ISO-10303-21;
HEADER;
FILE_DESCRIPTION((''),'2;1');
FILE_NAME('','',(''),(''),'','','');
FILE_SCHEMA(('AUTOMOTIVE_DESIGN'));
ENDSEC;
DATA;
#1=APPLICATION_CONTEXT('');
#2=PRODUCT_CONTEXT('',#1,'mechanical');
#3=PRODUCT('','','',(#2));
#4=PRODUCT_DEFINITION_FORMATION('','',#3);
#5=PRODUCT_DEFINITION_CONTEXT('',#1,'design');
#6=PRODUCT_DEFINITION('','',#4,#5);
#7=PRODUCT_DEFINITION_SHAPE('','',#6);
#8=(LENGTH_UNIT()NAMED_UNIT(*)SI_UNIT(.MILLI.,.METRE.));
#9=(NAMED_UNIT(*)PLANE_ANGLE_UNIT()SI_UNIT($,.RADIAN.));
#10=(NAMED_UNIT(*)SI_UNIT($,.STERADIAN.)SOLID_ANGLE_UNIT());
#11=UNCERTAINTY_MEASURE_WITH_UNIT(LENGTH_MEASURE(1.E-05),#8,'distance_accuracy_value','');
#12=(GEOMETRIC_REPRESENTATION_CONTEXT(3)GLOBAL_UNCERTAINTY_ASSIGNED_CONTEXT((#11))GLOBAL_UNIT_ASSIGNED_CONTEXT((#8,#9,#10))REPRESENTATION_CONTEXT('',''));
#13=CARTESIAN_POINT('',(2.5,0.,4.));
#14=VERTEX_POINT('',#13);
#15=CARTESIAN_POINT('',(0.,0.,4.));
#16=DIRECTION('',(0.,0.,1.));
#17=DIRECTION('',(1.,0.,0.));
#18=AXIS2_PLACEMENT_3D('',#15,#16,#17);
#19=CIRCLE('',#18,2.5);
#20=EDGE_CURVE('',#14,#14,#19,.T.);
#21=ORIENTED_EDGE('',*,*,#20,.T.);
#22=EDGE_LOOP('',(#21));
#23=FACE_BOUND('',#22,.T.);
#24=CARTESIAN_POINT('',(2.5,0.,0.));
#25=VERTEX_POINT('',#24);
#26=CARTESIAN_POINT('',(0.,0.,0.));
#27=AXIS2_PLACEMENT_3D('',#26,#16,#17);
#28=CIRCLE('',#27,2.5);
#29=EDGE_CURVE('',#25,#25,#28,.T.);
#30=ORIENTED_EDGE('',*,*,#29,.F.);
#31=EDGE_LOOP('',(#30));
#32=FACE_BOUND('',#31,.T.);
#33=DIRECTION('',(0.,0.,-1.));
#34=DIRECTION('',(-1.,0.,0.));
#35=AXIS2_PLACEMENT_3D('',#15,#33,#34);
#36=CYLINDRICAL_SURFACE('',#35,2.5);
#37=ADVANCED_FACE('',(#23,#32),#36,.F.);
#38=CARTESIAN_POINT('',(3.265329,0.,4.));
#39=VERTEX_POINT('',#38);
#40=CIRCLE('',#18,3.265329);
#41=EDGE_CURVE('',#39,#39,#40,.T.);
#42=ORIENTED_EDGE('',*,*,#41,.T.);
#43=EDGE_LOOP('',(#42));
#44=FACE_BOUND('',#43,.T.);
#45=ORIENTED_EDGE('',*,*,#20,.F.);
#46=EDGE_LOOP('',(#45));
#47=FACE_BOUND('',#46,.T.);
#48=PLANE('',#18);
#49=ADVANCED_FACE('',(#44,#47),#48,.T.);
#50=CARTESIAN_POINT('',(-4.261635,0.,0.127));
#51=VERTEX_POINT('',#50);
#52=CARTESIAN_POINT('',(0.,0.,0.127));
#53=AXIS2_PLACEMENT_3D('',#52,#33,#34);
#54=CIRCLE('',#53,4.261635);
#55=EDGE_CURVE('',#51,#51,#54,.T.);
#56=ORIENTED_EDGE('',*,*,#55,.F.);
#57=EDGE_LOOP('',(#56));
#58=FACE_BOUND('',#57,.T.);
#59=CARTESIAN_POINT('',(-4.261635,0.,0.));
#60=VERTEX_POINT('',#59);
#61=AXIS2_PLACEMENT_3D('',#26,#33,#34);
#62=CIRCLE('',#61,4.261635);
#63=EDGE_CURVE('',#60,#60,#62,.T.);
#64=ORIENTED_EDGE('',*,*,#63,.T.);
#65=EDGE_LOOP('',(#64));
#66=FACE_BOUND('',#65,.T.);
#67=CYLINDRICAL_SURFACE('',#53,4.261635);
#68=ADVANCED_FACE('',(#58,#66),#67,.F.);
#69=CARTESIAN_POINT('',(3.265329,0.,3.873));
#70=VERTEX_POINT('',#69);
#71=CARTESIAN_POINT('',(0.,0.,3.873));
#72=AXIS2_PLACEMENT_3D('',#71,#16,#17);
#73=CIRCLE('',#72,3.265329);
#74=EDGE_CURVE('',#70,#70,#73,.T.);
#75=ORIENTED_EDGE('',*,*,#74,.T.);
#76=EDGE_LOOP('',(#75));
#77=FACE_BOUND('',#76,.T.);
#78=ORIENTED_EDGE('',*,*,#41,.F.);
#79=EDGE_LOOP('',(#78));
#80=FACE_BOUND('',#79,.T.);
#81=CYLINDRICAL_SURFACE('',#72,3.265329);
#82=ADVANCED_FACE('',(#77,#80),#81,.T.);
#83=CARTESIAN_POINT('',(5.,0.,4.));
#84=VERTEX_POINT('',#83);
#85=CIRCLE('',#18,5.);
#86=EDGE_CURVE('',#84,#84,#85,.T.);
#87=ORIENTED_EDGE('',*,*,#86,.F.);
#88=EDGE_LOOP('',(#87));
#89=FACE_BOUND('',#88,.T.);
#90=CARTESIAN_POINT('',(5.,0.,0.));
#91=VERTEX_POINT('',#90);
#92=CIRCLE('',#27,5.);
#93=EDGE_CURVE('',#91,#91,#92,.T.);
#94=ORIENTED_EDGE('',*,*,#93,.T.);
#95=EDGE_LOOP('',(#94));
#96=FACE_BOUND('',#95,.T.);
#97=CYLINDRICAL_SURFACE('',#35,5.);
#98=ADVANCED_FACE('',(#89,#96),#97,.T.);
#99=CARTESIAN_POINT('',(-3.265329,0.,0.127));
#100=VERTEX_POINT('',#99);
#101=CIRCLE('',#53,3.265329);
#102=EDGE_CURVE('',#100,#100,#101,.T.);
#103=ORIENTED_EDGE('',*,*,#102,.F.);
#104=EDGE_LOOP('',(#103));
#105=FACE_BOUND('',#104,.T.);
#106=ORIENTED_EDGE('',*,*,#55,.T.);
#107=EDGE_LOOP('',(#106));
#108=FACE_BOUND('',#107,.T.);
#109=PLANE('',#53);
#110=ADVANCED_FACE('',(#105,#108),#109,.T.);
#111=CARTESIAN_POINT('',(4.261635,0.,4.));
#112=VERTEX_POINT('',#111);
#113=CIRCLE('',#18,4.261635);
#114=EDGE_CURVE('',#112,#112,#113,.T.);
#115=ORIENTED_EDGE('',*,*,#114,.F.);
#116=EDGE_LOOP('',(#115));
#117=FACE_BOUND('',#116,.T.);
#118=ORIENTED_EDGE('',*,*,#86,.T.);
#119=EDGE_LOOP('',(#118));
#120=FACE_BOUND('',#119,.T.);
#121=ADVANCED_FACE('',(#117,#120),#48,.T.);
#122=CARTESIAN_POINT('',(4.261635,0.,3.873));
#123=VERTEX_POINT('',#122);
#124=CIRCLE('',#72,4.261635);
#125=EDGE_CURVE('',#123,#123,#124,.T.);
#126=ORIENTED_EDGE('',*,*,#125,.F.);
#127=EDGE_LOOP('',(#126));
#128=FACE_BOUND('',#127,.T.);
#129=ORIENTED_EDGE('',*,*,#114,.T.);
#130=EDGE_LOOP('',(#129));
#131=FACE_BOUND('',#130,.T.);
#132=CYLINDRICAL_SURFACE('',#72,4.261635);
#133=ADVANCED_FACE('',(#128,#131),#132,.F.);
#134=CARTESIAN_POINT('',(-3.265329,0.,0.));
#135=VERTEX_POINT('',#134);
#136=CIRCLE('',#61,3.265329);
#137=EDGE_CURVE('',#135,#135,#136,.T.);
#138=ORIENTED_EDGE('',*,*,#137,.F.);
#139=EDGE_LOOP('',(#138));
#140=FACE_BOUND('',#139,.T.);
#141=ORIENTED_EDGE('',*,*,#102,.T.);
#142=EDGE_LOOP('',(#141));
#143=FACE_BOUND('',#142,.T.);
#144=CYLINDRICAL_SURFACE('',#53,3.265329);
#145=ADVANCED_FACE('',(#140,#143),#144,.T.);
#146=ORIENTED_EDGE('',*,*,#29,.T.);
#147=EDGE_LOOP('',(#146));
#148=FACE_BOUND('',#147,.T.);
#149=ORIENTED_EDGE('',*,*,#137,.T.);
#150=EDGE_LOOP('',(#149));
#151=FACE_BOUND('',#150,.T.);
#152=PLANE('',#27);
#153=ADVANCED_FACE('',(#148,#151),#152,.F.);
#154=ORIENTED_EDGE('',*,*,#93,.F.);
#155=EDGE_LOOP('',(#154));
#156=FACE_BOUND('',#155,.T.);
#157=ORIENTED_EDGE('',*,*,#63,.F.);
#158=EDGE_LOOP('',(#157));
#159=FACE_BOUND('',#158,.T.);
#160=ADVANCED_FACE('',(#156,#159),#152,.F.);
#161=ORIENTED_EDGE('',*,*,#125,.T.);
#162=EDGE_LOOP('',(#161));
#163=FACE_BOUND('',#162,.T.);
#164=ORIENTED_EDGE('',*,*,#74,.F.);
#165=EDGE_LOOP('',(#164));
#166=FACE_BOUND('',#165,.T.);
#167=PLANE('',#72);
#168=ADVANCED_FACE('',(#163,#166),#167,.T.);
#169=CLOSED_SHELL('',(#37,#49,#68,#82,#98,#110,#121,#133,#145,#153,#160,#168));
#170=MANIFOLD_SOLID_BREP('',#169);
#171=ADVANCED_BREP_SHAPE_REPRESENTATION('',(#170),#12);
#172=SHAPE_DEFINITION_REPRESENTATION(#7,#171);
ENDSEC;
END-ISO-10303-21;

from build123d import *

# Parameters (mm, degrees)
SKETCH1_R           = 5
SKETCH1_R_2         = 2.5
BOSS_EXTRUDE1_DEPTH = 4
SKETCH2_R           = 4.261634863
SKETCH2_R_2         = 3.265328535
CUT_EXTRUDE1_DEPTH  = 0.127
CUT_EXTRUDE2_START  = -0.127
SKETCH3_R           = 4.261634863
SKETCH3_R_2         = 3.265328535
CUT_EXTRUDE2_DEPTH  = 0.127


with BuildPart() as part:
    # Sketch1 → Boss-Extrude1 (new body)
    with BuildSketch(Plane.XY):
        Circle(SKETCH1_R)
        Circle(SKETCH1_R_2, mode=Mode.SUBTRACT)
    extrude(amount=BOSS_EXTRUDE1_DEPTH)

    # Sketch2 → Cut-Extrude1 (cut)
    with BuildSketch(Plane.XY.offset(4)):
        Circle(SKETCH2_R)
        Circle(SKETCH2_R_2, mode=Mode.SUBTRACT)
    extrude(amount=-CUT_EXTRUDE1_DEPTH, mode=Mode.SUBTRACT)

    # Sketch3 → Cut-Extrude2 (cut)
    with BuildSketch(Plane(origin=(0, 0, 0), x_dir=(-1, 0, 0), z_dir=(0, 0, -1)).offset(CUT_EXTRUDE2_START)):
        with Locations(Location((0, 0, 0), (0, 0, 180))):
            Circle(SKETCH3_R)
        with Locations(Location((0, 0, 0), (0, 0, 180))):
            Circle(SKETCH3_R_2, mode=Mode.SUBTRACT)
    extrude(amount=CUT_EXTRUDE2_DEPTH, mode=Mode.SUBTRACT)


solid = part.part
